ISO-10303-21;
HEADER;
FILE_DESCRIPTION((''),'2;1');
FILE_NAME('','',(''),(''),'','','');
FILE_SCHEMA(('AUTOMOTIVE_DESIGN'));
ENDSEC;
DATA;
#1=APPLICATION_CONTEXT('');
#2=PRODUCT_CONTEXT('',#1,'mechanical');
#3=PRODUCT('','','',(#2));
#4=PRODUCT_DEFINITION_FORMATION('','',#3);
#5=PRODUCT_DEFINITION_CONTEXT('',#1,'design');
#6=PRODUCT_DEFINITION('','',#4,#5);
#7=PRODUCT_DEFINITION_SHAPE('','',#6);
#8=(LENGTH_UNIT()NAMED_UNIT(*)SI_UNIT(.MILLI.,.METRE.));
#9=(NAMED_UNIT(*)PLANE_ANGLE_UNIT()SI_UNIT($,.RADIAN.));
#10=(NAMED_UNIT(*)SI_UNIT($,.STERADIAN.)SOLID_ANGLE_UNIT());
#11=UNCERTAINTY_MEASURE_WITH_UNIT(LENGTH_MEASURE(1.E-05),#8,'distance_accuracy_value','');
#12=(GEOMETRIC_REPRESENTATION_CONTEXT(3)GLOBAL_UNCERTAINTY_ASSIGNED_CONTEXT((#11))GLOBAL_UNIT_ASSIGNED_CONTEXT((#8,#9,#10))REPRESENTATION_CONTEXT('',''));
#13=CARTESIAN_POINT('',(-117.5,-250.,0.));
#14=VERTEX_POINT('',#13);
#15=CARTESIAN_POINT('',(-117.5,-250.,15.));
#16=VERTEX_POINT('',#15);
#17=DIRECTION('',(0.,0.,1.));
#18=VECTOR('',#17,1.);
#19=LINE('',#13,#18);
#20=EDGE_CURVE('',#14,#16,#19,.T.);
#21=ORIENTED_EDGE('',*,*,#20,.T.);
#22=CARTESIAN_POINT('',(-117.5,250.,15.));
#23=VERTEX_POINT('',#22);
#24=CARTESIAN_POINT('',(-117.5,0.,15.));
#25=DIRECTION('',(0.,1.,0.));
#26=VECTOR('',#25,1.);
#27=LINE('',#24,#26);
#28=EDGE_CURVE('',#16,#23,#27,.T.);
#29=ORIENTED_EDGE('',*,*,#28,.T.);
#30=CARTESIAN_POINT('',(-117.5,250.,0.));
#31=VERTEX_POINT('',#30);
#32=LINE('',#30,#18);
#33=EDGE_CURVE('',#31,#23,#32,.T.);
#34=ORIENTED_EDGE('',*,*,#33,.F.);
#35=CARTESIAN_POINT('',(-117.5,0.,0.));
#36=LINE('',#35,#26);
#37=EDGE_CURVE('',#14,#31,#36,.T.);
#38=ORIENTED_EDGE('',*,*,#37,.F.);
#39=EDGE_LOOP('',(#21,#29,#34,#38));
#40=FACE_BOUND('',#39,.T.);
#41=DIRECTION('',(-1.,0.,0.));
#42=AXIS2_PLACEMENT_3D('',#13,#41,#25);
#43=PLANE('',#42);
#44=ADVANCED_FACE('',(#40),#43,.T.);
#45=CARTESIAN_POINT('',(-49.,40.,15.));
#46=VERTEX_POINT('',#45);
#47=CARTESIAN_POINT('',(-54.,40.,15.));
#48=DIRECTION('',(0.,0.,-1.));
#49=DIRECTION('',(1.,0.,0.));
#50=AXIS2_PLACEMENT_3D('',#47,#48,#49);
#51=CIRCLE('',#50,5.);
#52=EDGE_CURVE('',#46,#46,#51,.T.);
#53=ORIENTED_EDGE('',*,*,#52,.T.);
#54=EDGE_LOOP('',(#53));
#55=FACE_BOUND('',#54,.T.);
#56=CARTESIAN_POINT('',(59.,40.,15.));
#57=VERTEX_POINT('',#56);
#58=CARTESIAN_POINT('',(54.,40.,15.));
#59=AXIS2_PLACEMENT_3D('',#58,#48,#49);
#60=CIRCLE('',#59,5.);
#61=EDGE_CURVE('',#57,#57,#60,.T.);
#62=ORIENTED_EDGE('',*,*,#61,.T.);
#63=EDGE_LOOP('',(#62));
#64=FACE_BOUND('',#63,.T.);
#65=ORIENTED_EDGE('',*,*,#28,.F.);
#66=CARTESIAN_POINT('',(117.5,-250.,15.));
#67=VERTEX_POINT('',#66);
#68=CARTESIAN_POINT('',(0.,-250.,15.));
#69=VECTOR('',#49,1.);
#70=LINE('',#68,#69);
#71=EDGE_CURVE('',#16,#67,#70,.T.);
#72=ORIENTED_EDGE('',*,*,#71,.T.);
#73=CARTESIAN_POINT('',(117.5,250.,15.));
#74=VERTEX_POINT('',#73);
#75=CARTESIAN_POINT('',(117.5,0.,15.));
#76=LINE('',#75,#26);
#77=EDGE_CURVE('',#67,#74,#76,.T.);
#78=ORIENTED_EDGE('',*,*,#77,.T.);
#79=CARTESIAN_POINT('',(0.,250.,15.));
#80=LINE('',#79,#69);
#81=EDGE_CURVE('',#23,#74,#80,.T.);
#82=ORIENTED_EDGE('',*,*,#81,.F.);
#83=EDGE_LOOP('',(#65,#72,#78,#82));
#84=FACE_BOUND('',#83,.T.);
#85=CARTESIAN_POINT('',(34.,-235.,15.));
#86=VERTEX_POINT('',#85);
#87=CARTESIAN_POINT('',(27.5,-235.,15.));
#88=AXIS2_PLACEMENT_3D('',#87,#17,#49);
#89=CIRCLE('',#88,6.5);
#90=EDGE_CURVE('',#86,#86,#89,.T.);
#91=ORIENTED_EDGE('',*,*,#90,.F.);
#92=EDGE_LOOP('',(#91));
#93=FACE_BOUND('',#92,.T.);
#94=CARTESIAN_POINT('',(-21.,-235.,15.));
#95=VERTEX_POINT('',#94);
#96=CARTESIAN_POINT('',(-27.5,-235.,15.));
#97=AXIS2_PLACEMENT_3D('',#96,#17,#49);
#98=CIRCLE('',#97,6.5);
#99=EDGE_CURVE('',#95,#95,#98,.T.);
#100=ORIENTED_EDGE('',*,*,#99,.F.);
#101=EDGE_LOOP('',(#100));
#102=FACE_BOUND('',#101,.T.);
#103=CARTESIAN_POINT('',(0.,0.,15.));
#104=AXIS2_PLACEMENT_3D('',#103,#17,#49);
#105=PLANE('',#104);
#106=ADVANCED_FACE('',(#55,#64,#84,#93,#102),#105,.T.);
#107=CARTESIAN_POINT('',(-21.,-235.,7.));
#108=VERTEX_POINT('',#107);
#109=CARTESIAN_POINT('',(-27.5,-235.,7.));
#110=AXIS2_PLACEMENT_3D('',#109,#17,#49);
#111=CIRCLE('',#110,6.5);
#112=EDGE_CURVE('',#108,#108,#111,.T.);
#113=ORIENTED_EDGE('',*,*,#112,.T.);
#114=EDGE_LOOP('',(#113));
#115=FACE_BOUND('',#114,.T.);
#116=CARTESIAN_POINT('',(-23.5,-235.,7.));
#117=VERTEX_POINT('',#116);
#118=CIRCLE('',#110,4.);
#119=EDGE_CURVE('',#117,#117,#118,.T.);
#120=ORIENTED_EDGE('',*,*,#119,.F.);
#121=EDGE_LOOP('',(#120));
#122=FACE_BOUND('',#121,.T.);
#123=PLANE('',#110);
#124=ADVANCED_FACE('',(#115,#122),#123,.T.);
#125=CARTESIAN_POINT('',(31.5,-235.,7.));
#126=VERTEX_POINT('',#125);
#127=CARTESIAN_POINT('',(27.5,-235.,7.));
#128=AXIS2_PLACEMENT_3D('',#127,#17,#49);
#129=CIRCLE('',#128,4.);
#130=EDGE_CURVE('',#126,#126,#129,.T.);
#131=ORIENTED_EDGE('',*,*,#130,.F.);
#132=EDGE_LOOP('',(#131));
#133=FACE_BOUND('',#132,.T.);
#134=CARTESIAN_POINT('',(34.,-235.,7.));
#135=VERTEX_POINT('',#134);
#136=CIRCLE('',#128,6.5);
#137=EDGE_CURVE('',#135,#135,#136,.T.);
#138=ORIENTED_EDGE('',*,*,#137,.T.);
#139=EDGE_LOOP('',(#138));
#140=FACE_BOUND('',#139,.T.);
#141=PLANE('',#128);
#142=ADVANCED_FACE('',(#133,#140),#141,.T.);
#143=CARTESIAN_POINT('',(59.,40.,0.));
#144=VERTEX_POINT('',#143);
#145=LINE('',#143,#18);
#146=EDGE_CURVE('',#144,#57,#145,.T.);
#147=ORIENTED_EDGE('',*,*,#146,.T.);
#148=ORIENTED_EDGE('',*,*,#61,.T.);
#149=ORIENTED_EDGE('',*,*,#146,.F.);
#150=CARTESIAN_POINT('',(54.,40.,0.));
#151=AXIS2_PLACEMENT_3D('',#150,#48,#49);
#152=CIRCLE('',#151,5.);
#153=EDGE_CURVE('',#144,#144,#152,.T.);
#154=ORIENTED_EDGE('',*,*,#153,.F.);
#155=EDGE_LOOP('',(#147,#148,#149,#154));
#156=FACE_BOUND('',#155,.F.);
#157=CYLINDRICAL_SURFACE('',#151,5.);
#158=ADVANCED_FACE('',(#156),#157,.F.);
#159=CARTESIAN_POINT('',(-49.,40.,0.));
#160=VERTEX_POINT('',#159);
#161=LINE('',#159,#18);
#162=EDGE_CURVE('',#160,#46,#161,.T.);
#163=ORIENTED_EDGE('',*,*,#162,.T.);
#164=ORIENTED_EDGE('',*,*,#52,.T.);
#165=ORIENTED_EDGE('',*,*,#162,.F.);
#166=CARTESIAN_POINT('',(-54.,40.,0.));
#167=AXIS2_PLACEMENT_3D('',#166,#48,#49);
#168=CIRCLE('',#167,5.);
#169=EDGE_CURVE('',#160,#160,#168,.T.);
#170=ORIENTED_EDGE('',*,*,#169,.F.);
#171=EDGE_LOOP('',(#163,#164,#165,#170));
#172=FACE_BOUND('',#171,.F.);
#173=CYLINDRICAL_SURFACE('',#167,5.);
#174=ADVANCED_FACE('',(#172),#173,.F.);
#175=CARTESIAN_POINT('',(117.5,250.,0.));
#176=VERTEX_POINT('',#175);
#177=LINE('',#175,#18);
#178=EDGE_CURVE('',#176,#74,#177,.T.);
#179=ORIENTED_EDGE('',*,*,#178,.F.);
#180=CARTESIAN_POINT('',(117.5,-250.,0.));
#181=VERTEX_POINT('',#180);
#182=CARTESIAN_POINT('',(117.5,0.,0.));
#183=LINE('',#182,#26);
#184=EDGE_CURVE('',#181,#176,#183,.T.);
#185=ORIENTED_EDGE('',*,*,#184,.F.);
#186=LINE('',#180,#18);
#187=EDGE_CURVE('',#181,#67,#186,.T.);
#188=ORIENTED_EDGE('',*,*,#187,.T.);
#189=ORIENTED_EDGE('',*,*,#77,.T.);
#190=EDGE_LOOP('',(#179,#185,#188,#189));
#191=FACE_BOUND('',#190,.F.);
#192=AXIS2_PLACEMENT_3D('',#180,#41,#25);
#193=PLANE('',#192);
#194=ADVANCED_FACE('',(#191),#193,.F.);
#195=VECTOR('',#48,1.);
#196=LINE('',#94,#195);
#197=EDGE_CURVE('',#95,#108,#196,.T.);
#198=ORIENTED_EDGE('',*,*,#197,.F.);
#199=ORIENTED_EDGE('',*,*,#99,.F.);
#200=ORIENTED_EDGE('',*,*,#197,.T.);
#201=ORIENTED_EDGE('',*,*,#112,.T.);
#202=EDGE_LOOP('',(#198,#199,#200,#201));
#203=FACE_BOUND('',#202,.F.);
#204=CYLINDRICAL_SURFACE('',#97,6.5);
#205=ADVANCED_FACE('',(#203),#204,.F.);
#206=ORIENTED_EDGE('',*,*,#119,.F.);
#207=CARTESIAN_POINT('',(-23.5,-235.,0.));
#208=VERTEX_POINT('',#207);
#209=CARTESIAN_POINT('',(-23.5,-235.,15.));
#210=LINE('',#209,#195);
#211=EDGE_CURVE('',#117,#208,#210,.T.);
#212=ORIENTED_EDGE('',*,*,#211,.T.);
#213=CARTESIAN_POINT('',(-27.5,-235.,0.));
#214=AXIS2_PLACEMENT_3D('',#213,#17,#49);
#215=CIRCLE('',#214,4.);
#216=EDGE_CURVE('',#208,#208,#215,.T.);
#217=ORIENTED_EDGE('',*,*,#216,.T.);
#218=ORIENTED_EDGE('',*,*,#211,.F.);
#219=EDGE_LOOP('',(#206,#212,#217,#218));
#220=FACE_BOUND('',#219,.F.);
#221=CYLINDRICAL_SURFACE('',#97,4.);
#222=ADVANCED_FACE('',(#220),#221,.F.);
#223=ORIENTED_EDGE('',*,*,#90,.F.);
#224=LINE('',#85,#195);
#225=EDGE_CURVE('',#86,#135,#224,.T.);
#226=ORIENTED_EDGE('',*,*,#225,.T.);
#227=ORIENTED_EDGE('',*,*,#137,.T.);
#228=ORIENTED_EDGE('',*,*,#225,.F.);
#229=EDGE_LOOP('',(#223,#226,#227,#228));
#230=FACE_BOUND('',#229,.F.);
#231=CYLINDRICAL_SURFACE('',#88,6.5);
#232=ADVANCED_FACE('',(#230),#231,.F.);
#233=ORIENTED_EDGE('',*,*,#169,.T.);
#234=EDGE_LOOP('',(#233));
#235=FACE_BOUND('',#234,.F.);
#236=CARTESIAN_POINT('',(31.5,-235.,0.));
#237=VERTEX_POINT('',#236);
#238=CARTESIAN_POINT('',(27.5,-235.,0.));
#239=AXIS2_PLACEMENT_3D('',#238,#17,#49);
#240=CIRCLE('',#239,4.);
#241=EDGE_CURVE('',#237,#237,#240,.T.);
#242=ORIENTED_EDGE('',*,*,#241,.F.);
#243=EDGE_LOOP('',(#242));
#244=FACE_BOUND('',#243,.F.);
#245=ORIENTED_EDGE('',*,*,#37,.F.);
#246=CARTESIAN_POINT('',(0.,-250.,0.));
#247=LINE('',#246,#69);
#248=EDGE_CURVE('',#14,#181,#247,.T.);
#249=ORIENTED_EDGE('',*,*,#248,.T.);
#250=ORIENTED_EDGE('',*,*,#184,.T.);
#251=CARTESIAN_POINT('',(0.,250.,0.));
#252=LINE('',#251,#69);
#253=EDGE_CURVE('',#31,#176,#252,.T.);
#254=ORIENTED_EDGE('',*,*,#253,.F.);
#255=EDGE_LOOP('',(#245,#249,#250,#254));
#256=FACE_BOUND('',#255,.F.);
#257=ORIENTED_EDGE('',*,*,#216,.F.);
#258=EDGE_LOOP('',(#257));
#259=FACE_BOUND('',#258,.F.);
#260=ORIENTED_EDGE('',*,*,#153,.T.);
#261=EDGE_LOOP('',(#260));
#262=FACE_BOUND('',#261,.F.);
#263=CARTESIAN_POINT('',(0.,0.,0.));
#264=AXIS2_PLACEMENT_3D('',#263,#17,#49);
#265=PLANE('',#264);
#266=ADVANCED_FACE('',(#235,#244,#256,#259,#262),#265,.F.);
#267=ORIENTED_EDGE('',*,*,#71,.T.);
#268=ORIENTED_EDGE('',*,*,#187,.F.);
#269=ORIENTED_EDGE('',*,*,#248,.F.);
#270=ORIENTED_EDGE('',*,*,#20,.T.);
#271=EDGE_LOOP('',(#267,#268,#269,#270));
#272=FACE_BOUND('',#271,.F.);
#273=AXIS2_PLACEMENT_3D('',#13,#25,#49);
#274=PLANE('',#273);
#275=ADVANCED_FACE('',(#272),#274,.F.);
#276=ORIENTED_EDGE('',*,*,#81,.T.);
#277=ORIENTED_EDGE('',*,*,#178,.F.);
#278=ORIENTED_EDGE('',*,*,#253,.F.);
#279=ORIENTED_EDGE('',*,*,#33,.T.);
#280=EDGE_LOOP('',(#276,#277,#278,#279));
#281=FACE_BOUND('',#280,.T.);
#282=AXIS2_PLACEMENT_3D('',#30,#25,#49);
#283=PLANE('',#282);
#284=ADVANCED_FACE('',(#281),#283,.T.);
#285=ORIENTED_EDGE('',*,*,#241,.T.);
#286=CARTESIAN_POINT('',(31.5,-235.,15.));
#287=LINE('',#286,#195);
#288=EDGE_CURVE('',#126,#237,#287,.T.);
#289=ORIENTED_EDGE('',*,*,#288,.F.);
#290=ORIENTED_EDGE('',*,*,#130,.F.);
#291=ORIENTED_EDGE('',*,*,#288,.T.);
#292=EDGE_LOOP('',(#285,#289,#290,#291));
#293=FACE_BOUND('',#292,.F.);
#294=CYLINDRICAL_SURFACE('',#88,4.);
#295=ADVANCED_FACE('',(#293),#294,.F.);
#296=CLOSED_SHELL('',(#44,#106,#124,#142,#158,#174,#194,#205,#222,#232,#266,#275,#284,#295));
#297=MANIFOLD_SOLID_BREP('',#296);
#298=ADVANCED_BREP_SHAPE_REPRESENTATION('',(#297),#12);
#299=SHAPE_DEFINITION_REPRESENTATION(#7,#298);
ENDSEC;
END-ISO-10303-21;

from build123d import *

# Parameters (mm, degrees)
F0_W     = 235
F0_H     = 500
F1_DEPTH = 15
F2_R     = 4
F3_DEPTH = 25
F4_R     = 6.5
F5_DEPTH = 8
F6_R     = 5
F7_DEPTH = 15.001


with BuildPart() as f1:
    # F0 (on Top) → F1 (new body)
    with BuildSketch(Plane.XY):
        Rectangle(F0_W, F0_H)
    extrude(amount=F1_DEPTH)

    # F2 (on face) → F3 (cut)
    with BuildSketch(Plane.XY.offset(15)):
        with Locations((27.5, -235)):
            Circle(F2_R)
        with Locations((-27.5, -235)):
            Circle(F2_R)
    extrude(amount=-F3_DEPTH, mode=Mode.SUBTRACT)

    # F4 (on face) → F5 (cut)
    with BuildSketch(Plane.XY.offset(15)):
        with Locations((27.5, -235)):
            Circle(F4_R)
        with Locations((-27.5, -235)):
            Circle(F4_R)
    extrude(amount=-F5_DEPTH, mode=Mode.SUBTRACT)

    # F6 (on face) → F7 (cut, through all)
    with BuildSketch(Plane(origin=(0, 0, 0), x_dir=(1, 0, 0), z_dir=(0, 0, -1))):
        with Locations((54, -40)):
            Circle(F6_R)
        with Locations((-54, -40)):
            Circle(F6_R)
    extrude(amount=-F7_DEPTH, mode=Mode.SUBTRACT)


solid = f1.part
